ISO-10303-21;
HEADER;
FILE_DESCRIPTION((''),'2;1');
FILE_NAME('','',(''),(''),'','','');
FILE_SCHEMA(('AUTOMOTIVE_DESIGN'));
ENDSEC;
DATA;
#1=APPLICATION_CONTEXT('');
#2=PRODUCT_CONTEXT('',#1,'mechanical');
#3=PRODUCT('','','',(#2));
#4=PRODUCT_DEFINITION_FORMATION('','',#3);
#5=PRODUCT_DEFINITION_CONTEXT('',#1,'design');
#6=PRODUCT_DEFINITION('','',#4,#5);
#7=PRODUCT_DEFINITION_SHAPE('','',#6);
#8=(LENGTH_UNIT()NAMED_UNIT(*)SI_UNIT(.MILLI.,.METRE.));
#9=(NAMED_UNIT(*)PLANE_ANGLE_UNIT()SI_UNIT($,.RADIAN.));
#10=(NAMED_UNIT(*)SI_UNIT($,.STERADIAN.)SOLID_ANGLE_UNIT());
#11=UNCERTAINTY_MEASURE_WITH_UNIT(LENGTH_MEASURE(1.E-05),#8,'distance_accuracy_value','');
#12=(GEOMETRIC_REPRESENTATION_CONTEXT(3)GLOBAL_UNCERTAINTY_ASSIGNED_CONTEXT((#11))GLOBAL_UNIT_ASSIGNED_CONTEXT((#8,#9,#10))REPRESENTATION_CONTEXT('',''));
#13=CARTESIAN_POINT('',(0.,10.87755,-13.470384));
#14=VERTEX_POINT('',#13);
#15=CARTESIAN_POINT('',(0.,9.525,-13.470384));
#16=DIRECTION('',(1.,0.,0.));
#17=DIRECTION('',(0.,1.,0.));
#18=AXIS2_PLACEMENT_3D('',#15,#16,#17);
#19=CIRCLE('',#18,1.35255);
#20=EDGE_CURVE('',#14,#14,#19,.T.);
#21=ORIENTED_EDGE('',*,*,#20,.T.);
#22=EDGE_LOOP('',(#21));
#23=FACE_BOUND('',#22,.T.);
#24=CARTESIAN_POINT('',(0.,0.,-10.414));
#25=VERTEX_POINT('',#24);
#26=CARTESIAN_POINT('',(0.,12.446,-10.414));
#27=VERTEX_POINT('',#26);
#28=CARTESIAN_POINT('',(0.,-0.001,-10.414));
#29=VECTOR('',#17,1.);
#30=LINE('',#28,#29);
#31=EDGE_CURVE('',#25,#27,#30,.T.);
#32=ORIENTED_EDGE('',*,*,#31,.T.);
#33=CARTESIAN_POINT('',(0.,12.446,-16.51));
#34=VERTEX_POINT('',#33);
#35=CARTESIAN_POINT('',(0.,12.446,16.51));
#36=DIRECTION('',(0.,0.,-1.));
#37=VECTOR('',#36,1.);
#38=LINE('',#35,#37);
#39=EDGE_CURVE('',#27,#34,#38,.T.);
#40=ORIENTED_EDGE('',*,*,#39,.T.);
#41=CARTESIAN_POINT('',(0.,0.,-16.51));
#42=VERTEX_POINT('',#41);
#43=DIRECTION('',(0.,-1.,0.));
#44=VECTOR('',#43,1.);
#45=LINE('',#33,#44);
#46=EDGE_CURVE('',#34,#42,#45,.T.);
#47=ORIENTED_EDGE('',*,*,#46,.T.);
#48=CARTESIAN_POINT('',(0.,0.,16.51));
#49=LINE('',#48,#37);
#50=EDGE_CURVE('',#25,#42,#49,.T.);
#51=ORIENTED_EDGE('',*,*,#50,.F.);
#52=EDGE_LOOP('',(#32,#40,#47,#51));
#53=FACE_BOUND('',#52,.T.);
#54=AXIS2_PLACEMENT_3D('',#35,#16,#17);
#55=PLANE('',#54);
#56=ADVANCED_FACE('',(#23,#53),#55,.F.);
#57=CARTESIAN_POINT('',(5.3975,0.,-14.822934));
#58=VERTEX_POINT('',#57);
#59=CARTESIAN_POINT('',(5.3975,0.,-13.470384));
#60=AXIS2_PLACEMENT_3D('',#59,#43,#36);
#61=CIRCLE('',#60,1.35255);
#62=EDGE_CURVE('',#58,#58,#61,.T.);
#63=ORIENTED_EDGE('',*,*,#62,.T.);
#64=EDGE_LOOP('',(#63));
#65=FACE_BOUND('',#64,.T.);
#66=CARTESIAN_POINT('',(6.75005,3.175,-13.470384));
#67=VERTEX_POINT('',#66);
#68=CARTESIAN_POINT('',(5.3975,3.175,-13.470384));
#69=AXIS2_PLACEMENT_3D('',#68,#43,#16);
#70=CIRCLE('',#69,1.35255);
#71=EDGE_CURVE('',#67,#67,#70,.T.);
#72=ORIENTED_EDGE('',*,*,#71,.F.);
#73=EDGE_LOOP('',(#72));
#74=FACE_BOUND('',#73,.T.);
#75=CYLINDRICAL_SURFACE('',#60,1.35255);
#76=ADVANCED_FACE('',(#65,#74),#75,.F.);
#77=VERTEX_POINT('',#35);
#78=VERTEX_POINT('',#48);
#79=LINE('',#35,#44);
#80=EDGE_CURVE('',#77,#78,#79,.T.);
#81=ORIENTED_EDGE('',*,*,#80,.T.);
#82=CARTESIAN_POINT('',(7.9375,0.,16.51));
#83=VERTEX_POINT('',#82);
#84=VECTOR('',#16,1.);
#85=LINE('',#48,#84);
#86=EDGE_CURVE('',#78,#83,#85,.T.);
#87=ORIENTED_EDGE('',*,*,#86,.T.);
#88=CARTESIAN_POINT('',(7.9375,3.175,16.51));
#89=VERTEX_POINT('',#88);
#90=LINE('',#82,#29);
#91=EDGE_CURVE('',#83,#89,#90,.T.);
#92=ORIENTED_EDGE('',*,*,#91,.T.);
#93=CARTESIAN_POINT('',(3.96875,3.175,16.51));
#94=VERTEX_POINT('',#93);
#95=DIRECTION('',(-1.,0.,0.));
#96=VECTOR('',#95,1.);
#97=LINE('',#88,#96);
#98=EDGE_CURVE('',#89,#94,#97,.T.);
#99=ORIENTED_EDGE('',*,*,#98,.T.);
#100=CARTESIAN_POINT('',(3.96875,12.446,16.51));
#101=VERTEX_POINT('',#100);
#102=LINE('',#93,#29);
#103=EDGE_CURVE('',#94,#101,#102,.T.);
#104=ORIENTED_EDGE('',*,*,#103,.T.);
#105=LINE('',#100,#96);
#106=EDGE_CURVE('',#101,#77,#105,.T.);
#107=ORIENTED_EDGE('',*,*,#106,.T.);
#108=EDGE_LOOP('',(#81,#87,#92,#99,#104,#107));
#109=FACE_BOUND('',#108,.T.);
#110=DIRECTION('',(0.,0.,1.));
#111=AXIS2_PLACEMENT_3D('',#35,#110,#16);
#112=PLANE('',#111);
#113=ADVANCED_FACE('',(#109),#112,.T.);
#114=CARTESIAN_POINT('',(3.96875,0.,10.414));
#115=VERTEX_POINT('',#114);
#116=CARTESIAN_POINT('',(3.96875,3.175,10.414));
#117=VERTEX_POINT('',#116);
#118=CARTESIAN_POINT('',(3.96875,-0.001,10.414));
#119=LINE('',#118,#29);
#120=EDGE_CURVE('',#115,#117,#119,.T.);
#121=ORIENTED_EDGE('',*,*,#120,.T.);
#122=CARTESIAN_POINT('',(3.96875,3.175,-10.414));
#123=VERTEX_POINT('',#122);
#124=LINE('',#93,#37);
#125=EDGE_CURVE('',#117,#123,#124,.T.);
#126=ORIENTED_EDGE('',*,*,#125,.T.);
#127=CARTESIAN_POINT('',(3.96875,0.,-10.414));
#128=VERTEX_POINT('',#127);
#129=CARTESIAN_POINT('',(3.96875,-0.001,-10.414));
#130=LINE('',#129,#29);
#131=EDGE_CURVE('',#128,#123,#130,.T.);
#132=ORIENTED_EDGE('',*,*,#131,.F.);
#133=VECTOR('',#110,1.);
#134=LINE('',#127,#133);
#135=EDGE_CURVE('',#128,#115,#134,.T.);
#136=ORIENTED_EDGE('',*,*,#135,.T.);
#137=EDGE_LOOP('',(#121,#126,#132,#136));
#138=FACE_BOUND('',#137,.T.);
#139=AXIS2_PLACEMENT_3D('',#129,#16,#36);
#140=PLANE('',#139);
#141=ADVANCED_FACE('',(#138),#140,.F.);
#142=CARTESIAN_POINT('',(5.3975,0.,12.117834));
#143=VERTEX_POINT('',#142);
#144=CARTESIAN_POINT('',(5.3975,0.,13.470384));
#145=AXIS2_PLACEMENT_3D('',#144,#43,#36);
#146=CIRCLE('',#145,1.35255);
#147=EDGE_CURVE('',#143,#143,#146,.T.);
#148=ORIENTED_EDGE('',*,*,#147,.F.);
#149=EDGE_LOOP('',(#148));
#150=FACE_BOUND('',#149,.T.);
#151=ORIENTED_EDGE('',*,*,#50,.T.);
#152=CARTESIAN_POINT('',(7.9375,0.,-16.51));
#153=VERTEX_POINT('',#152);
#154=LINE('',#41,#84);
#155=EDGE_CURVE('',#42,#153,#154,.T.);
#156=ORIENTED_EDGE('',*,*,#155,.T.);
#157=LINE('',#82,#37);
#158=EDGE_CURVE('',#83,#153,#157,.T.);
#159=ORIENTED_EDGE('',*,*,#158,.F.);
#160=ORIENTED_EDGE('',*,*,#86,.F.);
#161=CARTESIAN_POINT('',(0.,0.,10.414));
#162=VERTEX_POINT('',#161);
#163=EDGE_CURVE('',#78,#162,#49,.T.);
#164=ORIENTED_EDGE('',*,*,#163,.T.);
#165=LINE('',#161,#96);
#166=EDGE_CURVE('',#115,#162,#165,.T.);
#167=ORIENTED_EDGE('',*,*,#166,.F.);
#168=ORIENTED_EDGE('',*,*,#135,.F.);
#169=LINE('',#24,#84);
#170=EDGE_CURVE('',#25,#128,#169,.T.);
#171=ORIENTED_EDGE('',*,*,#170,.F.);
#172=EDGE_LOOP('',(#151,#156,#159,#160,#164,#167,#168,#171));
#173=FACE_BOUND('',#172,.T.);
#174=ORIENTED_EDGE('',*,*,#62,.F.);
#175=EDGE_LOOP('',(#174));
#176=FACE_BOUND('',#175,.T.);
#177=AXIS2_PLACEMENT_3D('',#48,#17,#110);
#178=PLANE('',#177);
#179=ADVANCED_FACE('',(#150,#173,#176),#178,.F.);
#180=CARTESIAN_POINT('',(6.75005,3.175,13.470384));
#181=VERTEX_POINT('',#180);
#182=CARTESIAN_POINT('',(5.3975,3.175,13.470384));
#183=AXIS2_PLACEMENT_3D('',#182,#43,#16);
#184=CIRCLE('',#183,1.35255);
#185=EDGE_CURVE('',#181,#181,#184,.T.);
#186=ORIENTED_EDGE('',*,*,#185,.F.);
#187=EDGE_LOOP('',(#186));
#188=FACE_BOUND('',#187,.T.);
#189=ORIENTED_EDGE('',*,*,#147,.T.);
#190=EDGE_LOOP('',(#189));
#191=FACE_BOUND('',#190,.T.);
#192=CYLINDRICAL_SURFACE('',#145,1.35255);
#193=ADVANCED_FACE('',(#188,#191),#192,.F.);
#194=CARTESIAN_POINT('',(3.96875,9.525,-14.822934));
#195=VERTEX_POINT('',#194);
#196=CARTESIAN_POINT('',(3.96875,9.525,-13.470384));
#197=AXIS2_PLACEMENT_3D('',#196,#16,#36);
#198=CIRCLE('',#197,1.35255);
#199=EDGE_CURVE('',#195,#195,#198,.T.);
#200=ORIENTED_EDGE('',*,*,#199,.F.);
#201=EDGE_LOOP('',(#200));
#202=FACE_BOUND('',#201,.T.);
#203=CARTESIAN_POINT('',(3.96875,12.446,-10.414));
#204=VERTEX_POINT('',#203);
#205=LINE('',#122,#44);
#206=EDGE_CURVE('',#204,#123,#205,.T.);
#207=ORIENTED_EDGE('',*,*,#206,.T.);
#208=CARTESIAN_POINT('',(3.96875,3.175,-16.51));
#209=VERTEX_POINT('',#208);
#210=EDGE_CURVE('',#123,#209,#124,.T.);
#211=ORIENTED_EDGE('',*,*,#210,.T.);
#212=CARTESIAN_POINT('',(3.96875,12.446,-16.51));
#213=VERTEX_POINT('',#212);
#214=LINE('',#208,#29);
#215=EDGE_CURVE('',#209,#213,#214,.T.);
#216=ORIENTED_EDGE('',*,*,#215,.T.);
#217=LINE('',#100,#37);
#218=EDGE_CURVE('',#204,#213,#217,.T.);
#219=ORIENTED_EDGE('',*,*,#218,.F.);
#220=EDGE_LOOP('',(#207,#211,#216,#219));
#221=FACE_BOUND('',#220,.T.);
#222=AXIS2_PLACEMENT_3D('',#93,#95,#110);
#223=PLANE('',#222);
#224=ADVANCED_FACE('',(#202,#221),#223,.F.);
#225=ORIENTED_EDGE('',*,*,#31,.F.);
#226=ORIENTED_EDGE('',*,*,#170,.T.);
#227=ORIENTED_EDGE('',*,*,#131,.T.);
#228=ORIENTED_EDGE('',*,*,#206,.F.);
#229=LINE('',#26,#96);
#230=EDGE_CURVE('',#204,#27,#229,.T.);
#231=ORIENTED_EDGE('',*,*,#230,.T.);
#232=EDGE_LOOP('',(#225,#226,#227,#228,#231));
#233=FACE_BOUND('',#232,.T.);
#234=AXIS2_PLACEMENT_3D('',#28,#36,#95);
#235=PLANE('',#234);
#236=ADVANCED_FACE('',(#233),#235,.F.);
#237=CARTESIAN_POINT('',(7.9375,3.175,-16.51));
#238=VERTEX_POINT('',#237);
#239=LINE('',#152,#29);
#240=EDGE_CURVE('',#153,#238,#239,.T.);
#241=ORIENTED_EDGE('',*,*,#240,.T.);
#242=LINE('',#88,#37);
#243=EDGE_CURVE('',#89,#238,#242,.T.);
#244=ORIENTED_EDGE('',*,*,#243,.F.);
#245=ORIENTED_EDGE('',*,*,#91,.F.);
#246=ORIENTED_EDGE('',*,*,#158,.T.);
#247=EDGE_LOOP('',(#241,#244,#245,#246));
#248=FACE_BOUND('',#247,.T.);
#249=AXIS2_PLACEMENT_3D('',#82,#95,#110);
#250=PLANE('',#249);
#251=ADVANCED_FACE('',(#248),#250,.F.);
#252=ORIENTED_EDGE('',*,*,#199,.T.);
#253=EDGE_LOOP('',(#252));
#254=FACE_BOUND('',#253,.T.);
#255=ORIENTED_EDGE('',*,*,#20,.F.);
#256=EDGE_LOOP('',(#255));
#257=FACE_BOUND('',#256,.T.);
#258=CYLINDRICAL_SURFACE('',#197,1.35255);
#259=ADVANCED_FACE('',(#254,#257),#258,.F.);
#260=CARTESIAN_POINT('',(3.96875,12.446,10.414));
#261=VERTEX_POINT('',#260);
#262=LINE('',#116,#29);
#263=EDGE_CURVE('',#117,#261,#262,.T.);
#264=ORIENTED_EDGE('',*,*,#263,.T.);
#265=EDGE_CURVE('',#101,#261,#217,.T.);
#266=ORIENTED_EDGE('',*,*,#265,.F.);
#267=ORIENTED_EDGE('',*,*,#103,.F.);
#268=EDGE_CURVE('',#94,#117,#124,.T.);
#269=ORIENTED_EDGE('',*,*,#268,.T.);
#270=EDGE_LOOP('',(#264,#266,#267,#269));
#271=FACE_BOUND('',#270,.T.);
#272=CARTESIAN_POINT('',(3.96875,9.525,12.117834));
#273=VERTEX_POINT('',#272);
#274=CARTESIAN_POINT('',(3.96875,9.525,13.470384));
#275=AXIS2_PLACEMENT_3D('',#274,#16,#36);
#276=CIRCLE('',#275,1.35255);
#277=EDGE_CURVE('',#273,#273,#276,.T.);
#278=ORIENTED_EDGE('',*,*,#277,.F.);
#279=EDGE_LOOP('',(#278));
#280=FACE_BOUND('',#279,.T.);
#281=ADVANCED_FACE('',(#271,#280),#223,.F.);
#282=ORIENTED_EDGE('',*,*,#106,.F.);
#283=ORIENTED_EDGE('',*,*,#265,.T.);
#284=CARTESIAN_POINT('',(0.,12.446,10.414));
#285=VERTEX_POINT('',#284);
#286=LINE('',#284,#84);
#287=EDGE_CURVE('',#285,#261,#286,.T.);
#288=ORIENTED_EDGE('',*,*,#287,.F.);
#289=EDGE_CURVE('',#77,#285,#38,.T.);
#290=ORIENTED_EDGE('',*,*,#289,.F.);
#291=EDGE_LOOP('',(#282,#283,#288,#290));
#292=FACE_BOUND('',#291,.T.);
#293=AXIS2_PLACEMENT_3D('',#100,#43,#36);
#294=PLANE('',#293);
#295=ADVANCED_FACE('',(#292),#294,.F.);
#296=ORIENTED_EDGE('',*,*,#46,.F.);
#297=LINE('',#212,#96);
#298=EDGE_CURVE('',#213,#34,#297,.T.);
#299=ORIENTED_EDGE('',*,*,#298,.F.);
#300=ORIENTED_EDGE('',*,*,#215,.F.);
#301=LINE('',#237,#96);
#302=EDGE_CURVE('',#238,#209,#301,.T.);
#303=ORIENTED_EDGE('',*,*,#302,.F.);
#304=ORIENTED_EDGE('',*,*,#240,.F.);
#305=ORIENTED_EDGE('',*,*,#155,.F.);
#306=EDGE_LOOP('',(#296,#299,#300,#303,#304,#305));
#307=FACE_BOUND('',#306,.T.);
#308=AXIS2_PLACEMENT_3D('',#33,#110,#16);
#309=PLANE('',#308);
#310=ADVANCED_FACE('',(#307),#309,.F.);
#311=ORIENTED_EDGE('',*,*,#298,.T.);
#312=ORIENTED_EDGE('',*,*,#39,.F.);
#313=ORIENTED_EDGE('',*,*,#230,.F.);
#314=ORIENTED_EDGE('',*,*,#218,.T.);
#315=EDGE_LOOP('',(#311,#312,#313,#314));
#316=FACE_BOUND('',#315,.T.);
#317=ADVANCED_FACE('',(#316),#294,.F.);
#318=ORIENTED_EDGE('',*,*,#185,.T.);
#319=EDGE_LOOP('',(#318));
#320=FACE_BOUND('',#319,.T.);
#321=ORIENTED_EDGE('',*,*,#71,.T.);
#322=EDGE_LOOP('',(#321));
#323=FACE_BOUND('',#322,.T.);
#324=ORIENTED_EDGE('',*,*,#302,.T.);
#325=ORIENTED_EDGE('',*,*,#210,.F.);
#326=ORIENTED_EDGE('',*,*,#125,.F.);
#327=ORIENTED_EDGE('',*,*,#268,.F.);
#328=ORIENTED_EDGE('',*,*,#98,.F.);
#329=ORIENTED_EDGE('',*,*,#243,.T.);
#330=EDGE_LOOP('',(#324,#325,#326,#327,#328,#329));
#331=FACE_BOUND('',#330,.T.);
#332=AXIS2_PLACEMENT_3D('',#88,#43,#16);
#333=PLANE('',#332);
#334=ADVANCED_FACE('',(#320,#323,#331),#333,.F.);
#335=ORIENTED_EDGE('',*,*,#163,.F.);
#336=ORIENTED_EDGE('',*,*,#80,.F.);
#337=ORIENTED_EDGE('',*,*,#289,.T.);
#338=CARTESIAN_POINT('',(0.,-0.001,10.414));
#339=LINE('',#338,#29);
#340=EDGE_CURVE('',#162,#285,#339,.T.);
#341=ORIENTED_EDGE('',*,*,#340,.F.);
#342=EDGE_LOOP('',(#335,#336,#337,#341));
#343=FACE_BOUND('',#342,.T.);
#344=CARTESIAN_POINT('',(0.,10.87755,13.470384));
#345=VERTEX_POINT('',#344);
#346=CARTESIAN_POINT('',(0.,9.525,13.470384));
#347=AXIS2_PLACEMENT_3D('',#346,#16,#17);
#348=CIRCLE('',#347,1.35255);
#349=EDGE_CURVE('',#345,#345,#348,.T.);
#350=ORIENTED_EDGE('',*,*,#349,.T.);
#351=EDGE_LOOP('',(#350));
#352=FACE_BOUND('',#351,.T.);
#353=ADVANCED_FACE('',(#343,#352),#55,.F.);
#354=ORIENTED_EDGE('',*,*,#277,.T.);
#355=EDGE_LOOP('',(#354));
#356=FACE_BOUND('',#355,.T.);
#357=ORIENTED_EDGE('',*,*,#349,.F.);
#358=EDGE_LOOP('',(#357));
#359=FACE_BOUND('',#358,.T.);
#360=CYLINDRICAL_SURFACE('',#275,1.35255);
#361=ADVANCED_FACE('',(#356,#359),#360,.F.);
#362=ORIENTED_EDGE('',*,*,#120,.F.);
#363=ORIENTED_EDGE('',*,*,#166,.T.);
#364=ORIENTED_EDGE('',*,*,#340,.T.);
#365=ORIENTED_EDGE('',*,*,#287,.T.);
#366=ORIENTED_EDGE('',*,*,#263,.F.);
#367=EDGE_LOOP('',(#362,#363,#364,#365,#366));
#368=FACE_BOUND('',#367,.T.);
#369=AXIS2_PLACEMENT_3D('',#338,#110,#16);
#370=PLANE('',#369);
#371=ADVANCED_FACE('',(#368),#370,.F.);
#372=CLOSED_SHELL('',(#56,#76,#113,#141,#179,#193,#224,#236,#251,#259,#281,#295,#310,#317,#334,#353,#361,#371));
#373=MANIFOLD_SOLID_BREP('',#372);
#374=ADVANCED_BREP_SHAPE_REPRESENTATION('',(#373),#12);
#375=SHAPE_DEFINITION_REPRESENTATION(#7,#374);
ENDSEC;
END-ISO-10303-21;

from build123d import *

# Parameters (mm, degrees)
BOSS_EXTRUDE1_DEPTH       = 16.51
CUT_EXTRUDE1_REACH        = 14.446
SKETCH2_W                 = 3.96875
SKETCH2_H                 = 20.828
F_6_32_TAPPED_HOLE1_D     = 2.7051
F_6_32_TAPPED_HOLE1_DEPTH = 3.96875
F_6_32_TAPPED_HOLE2_D     = 2.7051
F_6_32_TAPPED_HOLE2_DEPTH = 3.175


with BuildPart() as part:
    # Sketch1 → Boss-Extrude1 (new body, symmetric)
    with BuildSketch(Plane.XY):
        Polygon((0, 12.446), (0, 0), (7.9375, 0), (7.9375, 3.175), (3.96875, 3.175), (3.96875, 12.446), align=None)
    extrude(amount=BOSS_EXTRUDE1_DEPTH, both=True)

    # Sketch2 → Cut-Extrude1 (cut, up to next)
    with BuildSketch(Plane(origin=(0, 12.446, 0), x_dir=(1, 0, 0), z_dir=(0, 1, 0)), mode=Mode.PRIVATE) as cut_extrude1_sk1:
        with Locations((1.984375, 0)):
            Rectangle(SKETCH2_W, SKETCH2_H)
    cut_extrude1_tool1 = extrude(cut_extrude1_sk1.sketch, amount=-CUT_EXTRUDE1_REACH, mode=Mode.PRIVATE) & part.part
    add(cut_extrude1_tool1.solids().sort_by_distance((1.984375, 12.446, 0))[0], mode=Mode.SUBTRACT)

    # #6-32 Tapped Hole1
    with Locations(Plane(origin=(3.96875, 0, 0), x_dir=(0, 0, -1), z_dir=(1, 0, 0))):
        with Locations((-13.470384182, 9.525), (13.470384182, 9.525)):
            Hole(F_6_32_TAPPED_HOLE1_D / 2, depth=F_6_32_TAPPED_HOLE1_DEPTH)

    # #6-32 Tapped Hole2
    with Locations(Plane.XZ):
        with Locations((5.3975, 13.470384182), (5.3975, -13.470384182)):
            Hole(F_6_32_TAPPED_HOLE2_D / 2, depth=F_6_32_TAPPED_HOLE2_DEPTH)


solid = part.part
